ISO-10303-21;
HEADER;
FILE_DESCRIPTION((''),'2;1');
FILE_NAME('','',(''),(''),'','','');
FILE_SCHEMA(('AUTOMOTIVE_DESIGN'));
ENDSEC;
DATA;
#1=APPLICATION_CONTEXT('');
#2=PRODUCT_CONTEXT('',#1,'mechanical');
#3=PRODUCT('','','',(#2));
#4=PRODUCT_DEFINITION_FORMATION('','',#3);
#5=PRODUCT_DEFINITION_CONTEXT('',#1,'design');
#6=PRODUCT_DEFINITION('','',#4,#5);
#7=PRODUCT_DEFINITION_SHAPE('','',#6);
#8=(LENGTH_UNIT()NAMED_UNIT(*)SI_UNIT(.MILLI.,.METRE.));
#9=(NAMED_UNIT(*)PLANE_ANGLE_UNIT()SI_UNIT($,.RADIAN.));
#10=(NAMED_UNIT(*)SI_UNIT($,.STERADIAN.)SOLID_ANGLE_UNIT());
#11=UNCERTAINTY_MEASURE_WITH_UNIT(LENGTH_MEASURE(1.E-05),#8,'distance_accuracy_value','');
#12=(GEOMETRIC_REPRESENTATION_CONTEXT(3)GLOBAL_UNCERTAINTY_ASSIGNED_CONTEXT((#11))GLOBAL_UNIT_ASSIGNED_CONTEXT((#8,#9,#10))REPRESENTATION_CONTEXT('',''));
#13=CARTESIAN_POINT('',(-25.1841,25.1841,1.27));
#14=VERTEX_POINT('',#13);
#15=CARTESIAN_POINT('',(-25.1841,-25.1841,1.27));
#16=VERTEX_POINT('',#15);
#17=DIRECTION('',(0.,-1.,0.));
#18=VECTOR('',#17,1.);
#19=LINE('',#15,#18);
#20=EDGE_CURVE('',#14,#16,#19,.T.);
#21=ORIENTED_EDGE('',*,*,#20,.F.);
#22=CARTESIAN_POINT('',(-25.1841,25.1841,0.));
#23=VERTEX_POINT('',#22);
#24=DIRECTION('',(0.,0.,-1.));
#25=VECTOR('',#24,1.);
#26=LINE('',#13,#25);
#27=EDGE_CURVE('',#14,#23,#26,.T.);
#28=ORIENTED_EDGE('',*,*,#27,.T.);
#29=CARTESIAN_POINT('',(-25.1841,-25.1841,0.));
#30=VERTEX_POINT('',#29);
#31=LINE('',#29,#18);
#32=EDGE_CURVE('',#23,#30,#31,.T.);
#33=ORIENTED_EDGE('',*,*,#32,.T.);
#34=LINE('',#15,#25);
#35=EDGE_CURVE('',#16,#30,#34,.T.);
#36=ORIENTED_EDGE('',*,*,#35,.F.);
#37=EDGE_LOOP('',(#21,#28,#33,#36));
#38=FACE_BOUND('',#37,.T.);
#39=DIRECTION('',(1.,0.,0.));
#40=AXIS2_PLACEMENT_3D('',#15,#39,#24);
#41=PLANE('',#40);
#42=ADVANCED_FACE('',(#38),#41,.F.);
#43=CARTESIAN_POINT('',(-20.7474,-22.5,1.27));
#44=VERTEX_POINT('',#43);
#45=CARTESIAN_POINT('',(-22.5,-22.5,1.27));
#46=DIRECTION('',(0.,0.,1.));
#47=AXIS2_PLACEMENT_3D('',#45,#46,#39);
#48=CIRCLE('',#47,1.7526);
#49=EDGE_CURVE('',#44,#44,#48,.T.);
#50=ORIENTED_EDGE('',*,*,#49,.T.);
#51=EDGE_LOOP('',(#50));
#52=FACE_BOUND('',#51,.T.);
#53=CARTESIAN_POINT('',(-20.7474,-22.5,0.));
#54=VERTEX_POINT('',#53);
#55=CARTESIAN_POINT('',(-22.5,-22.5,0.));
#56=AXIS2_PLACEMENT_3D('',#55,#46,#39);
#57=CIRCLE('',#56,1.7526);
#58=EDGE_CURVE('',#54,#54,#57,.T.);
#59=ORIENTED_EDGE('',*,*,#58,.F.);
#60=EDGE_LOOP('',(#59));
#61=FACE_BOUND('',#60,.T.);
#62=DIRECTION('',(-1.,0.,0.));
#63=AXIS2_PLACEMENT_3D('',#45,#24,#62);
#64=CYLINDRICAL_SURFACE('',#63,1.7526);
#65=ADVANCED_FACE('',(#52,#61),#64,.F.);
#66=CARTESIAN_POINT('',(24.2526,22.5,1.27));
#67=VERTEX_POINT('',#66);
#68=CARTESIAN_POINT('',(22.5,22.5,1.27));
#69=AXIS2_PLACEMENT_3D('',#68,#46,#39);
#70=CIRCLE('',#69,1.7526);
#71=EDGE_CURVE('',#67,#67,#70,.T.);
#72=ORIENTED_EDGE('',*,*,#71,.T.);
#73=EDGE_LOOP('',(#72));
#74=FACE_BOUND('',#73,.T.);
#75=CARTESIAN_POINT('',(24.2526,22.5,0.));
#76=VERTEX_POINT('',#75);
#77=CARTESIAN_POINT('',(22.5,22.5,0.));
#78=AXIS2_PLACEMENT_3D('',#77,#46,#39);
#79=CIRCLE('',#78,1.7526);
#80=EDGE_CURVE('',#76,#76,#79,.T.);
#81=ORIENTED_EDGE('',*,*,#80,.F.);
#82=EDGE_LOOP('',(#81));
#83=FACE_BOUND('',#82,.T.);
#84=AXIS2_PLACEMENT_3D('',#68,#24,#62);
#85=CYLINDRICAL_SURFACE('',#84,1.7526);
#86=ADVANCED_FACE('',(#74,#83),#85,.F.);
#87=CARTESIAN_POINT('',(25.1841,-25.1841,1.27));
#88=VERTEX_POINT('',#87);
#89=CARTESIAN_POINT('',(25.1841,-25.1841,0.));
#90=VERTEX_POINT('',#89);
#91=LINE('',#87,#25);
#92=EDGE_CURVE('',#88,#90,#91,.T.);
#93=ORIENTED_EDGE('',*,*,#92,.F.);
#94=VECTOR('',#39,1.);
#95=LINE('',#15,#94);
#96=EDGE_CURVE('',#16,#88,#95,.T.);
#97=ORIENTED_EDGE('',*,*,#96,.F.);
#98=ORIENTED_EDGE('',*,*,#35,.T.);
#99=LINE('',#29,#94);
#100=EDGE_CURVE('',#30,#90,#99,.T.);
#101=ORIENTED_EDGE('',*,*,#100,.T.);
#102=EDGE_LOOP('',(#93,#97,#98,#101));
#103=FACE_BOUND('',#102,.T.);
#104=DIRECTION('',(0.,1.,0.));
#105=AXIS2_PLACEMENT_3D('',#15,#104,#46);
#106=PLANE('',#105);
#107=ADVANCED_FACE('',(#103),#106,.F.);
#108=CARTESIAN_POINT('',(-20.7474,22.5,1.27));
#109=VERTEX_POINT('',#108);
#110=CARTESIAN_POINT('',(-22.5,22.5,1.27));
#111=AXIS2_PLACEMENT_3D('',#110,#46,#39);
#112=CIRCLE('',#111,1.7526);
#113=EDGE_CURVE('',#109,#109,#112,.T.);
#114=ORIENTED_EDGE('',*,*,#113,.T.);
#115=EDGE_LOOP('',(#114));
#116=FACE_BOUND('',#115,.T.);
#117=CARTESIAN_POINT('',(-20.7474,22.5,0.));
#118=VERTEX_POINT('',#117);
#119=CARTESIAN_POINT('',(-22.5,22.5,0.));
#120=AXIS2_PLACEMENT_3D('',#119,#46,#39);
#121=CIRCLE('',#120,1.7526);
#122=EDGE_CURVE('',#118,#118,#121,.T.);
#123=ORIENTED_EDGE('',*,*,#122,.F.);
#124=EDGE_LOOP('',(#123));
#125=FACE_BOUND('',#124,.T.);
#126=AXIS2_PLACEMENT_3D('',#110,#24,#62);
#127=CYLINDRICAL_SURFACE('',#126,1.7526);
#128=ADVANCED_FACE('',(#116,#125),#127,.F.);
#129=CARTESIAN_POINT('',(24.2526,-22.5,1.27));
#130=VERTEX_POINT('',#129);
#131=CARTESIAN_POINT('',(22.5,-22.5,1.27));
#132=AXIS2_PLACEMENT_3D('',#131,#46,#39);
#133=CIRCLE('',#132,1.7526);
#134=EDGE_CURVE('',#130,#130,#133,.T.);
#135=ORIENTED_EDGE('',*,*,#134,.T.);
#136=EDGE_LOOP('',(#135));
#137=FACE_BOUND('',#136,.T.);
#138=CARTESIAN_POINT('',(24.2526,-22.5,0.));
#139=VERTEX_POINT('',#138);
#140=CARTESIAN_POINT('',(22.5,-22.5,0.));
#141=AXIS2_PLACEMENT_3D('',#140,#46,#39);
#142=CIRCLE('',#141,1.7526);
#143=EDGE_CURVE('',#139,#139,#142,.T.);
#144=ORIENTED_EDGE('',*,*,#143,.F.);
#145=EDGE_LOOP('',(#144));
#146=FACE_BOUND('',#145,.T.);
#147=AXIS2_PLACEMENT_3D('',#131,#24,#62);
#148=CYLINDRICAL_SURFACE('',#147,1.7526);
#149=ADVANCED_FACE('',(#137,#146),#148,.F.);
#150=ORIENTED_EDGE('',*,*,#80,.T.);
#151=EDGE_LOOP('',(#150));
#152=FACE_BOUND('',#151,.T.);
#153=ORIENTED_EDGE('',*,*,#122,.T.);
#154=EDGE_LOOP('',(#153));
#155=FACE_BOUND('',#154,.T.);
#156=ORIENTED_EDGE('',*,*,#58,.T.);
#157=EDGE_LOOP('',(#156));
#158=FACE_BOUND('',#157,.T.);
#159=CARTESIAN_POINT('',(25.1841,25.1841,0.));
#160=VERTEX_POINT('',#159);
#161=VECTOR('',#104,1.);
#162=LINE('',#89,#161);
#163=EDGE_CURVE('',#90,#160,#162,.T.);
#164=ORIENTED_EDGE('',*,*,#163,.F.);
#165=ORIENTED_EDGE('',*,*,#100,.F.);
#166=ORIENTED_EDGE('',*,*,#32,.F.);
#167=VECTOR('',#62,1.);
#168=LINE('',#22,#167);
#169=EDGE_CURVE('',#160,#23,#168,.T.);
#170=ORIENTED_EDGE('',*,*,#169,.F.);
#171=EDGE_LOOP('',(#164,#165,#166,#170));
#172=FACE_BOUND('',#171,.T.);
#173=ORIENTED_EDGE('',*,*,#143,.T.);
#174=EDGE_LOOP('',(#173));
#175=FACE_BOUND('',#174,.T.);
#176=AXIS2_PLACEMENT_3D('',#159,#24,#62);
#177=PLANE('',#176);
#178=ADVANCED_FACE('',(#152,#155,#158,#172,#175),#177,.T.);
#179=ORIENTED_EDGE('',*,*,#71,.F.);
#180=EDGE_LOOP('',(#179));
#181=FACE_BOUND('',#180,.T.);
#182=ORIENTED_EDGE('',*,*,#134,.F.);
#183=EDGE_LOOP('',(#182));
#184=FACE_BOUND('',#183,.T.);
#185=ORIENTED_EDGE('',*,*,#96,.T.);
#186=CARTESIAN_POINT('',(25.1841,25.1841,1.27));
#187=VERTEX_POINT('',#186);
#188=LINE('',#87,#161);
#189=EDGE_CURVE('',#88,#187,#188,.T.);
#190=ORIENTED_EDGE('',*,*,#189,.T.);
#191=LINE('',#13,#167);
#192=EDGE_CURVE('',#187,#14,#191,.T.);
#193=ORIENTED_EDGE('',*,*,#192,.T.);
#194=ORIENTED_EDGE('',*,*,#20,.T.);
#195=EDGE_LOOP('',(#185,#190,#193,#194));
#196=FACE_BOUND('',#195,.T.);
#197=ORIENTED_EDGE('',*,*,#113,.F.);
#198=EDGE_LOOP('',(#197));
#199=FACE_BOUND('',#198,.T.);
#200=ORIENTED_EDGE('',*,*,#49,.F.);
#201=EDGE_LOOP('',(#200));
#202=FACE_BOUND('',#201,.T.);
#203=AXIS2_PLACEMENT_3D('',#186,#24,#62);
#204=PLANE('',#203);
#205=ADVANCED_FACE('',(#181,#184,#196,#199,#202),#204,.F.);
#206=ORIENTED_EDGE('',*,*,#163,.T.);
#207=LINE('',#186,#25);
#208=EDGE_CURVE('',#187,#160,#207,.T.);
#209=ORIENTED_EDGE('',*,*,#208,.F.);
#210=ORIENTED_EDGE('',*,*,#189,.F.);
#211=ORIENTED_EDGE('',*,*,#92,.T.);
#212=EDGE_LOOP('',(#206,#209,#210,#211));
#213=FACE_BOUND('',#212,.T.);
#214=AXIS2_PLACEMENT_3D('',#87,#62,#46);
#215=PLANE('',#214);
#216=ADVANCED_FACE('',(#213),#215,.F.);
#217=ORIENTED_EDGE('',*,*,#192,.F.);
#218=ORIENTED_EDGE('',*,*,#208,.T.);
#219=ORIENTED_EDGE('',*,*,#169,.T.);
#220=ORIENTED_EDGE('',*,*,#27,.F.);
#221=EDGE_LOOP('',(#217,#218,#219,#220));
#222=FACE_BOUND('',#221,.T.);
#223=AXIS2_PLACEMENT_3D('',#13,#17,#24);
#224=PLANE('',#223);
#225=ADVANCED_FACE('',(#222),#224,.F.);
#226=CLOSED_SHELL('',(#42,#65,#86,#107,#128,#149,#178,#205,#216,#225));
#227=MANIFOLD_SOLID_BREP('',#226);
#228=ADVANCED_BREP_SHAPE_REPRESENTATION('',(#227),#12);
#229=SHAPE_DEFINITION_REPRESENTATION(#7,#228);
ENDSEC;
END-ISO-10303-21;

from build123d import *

# Parameters (mm, degrees)
SKETCH1_W           = 50.3682
SKETCH1_H           = 50.3682
SKETCH1_R           = 1.7526
BOSS_EXTRUDE1_DEPTH = 1.27


with BuildPart() as part:
    # Sketch1 → Boss-Extrude1 (new body)
    with BuildSketch(Plane.XY):
        Rectangle(SKETCH1_W, SKETCH1_H)
        with Locations((-22.5, 22.5)):
            Circle(SKETCH1_R, mode=Mode.SUBTRACT)
        with Locations((22.5, 22.5)):
            Circle(SKETCH1_R, mode=Mode.SUBTRACT)
        with Locations((-22.5, -22.5)):
            Circle(SKETCH1_R, mode=Mode.SUBTRACT)
        with Locations((22.5, -22.5)):
            Circle(SKETCH1_R, mode=Mode.SUBTRACT)
    extrude(amount=BOSS_EXTRUDE1_DEPTH)


solid = part.part
